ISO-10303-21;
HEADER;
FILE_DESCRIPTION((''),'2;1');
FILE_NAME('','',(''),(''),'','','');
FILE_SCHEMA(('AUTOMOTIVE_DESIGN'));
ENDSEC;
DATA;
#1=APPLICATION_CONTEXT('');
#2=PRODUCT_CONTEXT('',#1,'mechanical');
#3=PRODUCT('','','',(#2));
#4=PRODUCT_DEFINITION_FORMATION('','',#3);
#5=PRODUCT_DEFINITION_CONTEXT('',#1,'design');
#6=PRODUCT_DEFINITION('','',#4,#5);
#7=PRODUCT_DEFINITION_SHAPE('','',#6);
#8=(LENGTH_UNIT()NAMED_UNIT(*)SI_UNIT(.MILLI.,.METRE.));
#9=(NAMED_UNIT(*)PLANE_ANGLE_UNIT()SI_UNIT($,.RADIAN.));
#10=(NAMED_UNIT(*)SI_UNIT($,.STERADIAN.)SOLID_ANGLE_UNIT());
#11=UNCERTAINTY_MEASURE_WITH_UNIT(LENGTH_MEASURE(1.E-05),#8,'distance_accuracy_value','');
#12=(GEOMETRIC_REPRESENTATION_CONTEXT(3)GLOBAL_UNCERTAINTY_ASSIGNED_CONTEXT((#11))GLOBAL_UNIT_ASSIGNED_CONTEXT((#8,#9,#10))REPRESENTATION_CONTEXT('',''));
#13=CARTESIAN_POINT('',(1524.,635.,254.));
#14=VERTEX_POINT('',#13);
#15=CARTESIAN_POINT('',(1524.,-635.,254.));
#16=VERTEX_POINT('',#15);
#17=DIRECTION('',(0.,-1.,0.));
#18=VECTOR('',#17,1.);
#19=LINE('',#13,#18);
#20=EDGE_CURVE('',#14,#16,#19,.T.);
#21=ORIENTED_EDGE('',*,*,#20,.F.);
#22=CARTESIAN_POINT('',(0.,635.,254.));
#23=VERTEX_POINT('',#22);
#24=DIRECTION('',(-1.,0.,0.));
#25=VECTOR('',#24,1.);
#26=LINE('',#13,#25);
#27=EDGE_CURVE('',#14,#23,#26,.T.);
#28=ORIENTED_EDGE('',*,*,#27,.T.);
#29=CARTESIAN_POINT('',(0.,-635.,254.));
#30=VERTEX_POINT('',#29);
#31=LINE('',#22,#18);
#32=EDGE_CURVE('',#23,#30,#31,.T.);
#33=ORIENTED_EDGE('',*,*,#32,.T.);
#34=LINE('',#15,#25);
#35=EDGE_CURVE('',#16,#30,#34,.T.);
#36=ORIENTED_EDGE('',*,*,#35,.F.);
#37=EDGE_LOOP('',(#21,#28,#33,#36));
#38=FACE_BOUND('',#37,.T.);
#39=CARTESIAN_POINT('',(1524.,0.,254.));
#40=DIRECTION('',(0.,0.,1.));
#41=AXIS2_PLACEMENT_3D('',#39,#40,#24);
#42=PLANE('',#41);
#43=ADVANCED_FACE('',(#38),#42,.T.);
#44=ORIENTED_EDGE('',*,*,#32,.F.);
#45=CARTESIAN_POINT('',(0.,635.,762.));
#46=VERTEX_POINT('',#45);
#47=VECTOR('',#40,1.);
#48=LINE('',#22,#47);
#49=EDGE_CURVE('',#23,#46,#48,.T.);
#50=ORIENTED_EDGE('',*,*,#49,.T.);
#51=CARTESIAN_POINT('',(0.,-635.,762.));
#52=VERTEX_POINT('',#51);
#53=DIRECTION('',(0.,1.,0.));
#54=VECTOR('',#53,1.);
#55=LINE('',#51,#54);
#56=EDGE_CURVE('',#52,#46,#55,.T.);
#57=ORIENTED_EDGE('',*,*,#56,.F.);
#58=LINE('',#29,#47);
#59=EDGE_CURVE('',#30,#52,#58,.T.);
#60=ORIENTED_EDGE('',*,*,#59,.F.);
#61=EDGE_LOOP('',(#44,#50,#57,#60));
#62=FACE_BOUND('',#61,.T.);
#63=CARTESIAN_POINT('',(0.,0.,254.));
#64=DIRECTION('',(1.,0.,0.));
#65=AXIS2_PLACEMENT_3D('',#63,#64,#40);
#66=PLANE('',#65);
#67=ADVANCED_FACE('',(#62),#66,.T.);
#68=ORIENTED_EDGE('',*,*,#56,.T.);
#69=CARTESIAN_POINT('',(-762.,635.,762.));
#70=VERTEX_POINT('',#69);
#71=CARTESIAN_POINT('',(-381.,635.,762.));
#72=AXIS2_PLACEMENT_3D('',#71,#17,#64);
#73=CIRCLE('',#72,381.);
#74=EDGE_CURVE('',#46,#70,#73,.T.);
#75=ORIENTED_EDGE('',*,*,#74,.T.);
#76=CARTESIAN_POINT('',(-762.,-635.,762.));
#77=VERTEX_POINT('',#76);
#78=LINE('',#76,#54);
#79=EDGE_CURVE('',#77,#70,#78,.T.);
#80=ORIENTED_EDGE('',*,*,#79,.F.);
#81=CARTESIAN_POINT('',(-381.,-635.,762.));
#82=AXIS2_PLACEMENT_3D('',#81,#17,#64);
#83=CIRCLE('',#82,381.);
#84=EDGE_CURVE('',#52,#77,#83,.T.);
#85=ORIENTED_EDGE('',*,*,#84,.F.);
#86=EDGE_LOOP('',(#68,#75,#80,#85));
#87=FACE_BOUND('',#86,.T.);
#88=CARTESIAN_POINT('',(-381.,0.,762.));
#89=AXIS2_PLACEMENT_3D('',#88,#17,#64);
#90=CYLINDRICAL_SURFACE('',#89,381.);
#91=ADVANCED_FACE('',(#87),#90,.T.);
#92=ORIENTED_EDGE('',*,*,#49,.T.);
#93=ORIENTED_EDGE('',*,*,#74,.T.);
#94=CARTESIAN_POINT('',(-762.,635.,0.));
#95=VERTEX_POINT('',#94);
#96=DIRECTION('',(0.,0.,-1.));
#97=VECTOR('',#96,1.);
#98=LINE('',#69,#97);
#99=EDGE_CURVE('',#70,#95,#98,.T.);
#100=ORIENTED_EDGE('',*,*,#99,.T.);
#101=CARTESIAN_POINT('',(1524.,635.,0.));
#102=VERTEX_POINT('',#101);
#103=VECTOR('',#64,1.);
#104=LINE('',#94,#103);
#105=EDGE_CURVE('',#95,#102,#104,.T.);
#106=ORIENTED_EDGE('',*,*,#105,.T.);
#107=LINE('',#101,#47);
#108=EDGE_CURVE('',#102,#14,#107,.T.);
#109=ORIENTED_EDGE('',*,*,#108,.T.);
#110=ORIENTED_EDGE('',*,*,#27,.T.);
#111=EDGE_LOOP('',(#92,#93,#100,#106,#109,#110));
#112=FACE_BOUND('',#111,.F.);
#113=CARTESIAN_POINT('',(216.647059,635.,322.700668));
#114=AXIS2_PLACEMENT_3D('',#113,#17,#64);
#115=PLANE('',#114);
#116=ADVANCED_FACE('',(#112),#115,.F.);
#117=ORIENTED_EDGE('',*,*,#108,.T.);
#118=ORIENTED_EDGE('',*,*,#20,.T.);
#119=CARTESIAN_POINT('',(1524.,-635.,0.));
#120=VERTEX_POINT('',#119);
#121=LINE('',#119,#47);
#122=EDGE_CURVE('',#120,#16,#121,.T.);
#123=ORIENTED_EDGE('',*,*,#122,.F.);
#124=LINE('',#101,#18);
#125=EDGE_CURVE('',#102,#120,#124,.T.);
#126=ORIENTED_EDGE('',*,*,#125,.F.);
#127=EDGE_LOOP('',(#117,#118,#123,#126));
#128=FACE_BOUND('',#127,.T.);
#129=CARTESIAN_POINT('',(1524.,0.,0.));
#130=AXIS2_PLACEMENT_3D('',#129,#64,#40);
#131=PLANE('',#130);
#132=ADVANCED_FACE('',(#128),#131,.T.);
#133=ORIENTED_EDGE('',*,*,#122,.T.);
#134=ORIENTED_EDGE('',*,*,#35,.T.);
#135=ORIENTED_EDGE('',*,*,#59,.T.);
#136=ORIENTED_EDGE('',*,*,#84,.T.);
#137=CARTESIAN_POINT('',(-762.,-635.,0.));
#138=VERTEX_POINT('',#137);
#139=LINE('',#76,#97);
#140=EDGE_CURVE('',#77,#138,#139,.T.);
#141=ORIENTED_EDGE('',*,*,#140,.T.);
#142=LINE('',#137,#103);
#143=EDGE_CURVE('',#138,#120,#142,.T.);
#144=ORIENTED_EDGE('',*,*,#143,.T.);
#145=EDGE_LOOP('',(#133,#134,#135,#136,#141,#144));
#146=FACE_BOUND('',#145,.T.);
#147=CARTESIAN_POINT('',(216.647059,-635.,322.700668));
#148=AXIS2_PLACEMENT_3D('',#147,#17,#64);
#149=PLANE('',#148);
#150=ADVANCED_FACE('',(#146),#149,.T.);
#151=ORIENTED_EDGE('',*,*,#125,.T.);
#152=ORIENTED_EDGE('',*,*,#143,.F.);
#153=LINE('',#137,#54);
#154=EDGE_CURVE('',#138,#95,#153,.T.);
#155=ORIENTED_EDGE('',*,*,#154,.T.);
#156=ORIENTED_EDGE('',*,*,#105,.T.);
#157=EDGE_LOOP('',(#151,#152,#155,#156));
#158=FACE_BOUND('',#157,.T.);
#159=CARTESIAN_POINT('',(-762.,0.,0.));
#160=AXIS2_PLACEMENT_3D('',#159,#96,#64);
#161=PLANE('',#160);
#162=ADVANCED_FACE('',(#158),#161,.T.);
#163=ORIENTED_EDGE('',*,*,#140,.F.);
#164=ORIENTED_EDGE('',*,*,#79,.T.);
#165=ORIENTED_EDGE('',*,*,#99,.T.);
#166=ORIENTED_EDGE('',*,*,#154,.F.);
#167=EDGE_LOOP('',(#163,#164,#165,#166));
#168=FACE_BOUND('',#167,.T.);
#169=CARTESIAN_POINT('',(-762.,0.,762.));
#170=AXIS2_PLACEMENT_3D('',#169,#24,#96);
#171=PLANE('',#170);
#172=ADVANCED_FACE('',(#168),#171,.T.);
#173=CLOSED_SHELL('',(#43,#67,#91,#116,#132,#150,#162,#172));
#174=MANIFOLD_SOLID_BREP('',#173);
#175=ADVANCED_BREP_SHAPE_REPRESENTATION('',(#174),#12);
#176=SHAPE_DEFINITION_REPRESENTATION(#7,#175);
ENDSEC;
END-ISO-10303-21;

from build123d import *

# Parameters (mm, degrees)
F1_DEPTH = 635


with BuildPart() as f1:
    # F0 (on Front) → F1 (new body, symmetric)
    with BuildSketch(Plane.XZ):
        with BuildLine():
            Line((-762, 0), (0, 0))
            Line((0, 0), (1524, 0))
            Line((1524, 0), (1524, 254))
            Line((1524, 254), (0, 254))
            Line((0, 254), (0, 762))
            ThreePointArc((0, 762), (-381, 1143), (-762, 762))
            Line((-762, 762), (-762, 254))
            Line((-762, 254), (-762, 0))
        make_face()
    extrude(amount=F1_DEPTH, both=True)


solid = f1.part
